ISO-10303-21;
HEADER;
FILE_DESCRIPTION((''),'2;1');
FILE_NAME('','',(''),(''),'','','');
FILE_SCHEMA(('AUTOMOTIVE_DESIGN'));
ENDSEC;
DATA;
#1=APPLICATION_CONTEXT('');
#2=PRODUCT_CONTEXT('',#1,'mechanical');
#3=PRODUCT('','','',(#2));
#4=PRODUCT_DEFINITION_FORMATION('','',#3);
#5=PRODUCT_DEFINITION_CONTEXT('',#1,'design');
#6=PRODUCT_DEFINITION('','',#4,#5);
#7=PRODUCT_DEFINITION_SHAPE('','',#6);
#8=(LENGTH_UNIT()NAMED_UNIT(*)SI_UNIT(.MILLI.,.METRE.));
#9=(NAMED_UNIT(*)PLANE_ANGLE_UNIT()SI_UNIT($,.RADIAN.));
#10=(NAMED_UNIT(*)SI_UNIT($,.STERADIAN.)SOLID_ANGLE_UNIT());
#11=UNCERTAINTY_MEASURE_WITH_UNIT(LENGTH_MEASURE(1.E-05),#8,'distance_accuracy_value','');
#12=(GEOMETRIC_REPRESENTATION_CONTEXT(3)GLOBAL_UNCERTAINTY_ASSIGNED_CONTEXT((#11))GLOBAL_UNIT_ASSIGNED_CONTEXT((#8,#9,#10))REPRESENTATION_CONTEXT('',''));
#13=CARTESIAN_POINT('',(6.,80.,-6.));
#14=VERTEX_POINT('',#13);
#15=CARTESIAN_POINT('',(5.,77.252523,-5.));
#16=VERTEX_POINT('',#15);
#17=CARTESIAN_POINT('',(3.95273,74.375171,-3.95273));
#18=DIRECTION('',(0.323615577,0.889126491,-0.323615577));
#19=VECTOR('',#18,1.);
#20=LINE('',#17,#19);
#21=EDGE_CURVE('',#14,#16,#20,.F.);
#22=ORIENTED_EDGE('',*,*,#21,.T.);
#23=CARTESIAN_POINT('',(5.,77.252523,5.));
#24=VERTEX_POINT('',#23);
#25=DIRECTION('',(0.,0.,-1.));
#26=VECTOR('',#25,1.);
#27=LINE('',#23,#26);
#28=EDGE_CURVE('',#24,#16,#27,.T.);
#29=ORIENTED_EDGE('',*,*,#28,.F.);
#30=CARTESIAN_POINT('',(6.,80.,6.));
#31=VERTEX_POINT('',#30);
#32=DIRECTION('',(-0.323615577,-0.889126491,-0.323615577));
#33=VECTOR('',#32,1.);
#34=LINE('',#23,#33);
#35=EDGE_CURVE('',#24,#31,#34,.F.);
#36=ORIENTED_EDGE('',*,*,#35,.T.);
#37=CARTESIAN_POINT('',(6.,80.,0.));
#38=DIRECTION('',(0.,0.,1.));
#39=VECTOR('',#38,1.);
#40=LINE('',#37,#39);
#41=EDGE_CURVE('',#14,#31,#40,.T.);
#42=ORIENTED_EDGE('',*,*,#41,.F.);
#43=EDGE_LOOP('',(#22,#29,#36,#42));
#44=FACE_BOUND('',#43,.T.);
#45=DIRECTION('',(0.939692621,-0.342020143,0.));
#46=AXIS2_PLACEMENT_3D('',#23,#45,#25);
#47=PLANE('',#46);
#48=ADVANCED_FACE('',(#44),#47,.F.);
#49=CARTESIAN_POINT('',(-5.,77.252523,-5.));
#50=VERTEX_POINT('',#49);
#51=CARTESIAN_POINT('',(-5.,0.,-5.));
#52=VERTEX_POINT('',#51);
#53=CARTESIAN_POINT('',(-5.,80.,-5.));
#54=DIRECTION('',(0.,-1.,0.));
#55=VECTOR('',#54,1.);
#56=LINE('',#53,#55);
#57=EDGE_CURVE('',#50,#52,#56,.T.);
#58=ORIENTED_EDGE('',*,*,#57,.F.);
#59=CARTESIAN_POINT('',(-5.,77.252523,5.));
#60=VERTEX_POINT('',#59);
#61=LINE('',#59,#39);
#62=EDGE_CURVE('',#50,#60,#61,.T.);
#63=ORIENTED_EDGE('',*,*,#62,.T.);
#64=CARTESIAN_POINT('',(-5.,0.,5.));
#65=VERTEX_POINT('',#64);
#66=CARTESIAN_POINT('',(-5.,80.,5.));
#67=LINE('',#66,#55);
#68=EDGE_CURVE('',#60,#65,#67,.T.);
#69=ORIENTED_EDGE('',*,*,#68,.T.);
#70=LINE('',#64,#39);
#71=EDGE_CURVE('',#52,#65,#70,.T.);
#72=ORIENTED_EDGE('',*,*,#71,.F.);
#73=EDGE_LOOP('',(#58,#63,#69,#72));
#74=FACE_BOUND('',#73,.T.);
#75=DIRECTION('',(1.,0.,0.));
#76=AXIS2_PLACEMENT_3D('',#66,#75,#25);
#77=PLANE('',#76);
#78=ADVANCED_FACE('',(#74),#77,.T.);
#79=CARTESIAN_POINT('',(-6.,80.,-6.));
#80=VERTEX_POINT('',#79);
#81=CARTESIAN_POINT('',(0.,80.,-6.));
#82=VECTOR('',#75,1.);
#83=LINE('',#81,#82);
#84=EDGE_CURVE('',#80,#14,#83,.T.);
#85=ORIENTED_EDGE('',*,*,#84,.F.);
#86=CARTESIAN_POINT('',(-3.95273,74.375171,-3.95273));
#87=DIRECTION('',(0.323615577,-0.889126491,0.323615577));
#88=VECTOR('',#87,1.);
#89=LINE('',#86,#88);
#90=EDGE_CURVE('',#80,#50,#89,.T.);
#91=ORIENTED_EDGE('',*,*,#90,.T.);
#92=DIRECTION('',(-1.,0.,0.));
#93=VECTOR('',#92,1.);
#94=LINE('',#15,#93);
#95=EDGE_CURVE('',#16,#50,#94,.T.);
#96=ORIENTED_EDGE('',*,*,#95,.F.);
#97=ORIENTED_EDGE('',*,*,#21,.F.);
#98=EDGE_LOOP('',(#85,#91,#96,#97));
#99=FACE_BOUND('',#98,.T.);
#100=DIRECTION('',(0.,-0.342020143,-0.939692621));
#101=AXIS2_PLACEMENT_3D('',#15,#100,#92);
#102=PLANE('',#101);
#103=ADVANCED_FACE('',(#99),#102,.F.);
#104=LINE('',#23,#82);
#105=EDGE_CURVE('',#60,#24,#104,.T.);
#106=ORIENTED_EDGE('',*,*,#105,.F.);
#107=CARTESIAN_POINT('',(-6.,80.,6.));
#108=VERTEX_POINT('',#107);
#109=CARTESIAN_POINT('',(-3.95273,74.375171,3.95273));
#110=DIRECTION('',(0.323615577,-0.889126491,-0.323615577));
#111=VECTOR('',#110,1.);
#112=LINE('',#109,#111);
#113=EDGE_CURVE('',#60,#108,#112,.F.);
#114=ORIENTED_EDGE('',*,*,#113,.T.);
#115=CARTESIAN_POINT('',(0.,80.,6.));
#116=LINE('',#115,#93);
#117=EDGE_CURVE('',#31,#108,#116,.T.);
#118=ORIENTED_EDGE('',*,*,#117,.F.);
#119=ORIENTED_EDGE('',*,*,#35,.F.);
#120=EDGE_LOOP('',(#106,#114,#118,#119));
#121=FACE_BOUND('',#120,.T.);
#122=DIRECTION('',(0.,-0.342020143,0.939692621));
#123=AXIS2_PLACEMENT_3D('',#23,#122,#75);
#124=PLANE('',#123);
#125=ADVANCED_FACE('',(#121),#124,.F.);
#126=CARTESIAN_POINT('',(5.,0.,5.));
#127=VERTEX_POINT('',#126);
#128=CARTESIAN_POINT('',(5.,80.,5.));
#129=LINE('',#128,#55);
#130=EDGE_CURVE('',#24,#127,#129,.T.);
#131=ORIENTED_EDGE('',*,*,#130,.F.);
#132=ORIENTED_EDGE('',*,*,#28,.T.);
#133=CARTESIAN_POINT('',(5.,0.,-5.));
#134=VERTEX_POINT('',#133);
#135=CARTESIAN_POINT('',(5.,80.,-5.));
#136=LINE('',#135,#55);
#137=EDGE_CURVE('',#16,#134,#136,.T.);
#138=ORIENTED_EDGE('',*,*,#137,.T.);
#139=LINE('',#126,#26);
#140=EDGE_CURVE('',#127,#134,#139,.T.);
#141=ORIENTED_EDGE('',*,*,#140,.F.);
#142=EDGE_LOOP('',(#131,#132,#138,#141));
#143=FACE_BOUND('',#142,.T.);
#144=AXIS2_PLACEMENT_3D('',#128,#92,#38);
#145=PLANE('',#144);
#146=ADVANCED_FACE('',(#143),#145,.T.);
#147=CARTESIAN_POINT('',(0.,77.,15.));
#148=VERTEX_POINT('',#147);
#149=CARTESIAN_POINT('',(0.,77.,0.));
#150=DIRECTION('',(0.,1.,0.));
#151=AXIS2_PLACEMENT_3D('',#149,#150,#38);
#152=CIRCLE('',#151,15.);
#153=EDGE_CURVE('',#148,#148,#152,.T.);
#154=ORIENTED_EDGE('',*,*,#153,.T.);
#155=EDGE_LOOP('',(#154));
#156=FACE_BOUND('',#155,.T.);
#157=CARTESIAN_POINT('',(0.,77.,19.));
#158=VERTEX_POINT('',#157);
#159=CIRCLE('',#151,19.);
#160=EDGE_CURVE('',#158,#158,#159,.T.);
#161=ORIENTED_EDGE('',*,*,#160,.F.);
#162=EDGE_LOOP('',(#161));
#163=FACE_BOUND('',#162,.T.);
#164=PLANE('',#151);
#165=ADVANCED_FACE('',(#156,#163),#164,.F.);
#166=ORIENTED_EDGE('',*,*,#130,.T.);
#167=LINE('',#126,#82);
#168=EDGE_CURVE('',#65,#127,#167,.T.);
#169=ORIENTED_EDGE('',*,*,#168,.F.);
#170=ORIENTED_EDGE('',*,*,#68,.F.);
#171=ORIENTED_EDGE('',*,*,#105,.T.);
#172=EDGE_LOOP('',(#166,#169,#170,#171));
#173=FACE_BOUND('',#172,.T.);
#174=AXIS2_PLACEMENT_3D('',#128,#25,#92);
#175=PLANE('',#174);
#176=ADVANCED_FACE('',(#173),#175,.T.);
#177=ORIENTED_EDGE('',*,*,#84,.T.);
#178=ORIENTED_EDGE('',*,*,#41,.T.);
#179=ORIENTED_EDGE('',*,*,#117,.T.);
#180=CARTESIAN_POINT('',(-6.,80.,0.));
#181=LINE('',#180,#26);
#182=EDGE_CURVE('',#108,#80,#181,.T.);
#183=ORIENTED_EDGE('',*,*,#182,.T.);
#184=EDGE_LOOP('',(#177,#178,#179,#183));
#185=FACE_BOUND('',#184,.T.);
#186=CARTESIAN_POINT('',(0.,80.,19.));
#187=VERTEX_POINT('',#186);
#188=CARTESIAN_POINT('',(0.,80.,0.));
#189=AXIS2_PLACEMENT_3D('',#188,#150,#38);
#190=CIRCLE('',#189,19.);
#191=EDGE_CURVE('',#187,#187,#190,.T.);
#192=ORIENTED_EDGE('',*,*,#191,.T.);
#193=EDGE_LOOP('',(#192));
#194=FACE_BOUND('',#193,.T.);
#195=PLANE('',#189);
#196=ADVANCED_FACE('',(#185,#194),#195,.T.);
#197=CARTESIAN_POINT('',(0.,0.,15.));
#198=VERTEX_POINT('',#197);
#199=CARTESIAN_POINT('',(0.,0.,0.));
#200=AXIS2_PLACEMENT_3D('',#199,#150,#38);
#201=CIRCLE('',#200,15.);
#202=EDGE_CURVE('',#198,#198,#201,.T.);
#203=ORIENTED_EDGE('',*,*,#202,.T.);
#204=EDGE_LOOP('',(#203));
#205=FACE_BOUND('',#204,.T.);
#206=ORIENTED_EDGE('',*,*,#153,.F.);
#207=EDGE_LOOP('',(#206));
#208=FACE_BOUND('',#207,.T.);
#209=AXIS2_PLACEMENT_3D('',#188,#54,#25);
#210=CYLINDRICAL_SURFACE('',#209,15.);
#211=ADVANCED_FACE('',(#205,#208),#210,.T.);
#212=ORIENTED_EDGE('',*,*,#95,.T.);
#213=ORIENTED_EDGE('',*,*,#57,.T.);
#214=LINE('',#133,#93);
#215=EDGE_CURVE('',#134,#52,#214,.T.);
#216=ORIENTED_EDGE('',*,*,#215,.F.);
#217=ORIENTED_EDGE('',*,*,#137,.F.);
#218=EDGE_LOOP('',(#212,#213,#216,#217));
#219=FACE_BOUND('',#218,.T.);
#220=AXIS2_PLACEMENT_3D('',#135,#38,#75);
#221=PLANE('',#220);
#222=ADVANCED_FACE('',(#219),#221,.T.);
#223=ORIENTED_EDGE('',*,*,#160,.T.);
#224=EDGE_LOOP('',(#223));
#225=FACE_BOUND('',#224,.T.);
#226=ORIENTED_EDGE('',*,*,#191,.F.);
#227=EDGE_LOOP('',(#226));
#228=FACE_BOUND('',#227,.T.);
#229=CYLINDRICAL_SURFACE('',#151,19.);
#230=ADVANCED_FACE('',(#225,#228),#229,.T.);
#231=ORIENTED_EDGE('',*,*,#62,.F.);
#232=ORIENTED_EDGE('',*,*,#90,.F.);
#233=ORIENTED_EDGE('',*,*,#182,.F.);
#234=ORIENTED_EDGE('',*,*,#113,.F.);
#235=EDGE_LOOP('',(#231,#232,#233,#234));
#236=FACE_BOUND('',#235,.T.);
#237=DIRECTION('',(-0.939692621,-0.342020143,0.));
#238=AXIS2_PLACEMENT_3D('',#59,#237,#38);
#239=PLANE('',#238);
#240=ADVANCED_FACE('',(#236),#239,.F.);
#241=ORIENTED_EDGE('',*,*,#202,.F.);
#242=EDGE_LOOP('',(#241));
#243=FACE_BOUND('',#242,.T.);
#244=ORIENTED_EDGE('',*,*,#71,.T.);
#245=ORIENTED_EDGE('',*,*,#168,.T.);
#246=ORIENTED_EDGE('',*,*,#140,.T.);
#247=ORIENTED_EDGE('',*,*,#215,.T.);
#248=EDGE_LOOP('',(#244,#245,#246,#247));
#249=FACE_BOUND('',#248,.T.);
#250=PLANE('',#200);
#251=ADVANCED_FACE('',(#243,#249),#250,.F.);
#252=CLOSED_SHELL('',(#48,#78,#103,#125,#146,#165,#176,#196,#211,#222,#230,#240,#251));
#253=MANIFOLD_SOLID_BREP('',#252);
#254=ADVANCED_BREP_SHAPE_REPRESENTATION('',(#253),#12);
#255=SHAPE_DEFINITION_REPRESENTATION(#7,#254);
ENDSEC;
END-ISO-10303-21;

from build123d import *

# Parameters (mm, degrees)
SKETCH_1_R          = 15
SKETCH_1_W          = 10
SKETCH_1_H          = 10
EXTRUDE_1_DEPTH     = 80
SKETCH1_R           = 19
SKETCH1_W           = 10
SKETCH1_H           = 10
BOSS_EXTRUDE1_DEPTH = 3
CHAMFER1_SIZE       = 1
CHAMFER1_SIZE2      = 2.747477419


with BuildPart() as part:
    # Эскиз1 → Бобышка-Вытянуть1 (new body)
    with BuildSketch(Plane(origin=(0, 0, 0), x_dir=(1, 0, 0), z_dir=(0, 1, 0))):
        Circle(SKETCH_1_R)
        Rectangle(SKETCH_1_W, SKETCH_1_H, mode=Mode.SUBTRACT)
    extrude(amount=EXTRUDE_1_DEPTH)

    # Sketch1 → Boss-Extrude1 (add)
    with BuildSketch(Plane(origin=(0, 80, 0), x_dir=(1, 0, 0), z_dir=(0, 1, 0))):
        Circle(SKETCH1_R)
        Rectangle(SKETCH1_W, SKETCH1_H, mode=Mode.SUBTRACT)
    extrude(amount=-BOSS_EXTRUDE1_DEPTH)

    # Chamfer1
    chamfer1_edges = [part.edges().sort_by_distance(p)[0] for p in [
        (0, 80, -5),
        (-5, 80, 0),
        (0, 80, 5),
        (5, 80, 0),
    ]]
    chamfer1_side = [part.faces().sort_by_distance(p)[0] for p in [
        (-18.462598846, 80, 0),
    ]]
    chamfer(chamfer1_edges, length=CHAMFER1_SIZE, length2=CHAMFER1_SIZE2, reference=chamfer1_side[0])


solid = part.part
